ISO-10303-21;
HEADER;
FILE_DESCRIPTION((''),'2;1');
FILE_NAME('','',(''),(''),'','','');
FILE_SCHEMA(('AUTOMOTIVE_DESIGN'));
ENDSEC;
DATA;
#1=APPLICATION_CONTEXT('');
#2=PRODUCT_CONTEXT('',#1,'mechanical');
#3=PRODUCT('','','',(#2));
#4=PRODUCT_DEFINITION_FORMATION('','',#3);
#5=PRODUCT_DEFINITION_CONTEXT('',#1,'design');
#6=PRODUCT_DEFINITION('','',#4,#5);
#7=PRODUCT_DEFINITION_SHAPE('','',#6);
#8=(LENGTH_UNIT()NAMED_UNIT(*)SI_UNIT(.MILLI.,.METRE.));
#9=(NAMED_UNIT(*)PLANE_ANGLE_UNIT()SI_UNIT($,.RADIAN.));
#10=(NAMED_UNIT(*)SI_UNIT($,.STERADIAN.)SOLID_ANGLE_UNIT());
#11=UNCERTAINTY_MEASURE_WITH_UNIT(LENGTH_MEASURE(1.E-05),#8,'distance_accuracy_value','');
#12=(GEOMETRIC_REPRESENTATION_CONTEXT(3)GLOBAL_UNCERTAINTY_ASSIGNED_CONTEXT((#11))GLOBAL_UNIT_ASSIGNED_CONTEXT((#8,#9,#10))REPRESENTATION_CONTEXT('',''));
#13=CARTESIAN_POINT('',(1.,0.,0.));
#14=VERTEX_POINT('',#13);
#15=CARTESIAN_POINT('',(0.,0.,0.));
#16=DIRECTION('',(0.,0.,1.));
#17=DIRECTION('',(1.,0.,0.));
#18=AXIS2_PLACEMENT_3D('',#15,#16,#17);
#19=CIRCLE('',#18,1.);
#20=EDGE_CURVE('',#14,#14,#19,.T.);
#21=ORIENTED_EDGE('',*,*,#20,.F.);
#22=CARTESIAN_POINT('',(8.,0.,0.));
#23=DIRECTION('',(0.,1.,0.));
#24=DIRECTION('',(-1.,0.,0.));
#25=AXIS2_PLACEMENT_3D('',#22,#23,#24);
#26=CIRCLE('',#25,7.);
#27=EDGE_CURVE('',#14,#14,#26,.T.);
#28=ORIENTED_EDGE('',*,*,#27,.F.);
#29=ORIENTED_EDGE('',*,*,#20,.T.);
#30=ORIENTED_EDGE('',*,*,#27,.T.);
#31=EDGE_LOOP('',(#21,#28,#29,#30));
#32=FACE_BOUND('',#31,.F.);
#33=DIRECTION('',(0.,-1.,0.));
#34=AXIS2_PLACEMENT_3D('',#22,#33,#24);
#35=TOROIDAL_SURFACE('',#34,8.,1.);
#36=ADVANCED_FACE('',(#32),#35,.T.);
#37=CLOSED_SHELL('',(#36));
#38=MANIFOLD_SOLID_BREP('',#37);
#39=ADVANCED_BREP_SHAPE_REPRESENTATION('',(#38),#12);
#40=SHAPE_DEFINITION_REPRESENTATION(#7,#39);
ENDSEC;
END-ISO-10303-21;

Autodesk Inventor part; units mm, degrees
ref_plane "YZ Plane" through (0, 0, 0) normal (1, 0, 0) x (0, 1, 0)
ref_plane "XZ Plane" through (0, 0, 0) normal (0, 1, 0) x (-1, 0, 0)
ref_plane "XY Plane" through (0, 0, 0) normal (0, 0, 1) x (1, 0, 0)
sketch "Szkic2" plane through (0, 0, 0) normal (0, 0, 1) x (1, 0, 0)
  circle A0 centre (0, 0) radius 1
  line L0 (0, 0) -> (8, 0)
  line L1 (8, -1.5) -> (8, 1.5)
  dimension "d2" = 2
  dimension "d3" = 8
revolve "Obrót1" add sketch "Szkic2" angle 360 about axis through (8, -1.5, 0) along (0, 1, 0)
properties part number "Oring"
